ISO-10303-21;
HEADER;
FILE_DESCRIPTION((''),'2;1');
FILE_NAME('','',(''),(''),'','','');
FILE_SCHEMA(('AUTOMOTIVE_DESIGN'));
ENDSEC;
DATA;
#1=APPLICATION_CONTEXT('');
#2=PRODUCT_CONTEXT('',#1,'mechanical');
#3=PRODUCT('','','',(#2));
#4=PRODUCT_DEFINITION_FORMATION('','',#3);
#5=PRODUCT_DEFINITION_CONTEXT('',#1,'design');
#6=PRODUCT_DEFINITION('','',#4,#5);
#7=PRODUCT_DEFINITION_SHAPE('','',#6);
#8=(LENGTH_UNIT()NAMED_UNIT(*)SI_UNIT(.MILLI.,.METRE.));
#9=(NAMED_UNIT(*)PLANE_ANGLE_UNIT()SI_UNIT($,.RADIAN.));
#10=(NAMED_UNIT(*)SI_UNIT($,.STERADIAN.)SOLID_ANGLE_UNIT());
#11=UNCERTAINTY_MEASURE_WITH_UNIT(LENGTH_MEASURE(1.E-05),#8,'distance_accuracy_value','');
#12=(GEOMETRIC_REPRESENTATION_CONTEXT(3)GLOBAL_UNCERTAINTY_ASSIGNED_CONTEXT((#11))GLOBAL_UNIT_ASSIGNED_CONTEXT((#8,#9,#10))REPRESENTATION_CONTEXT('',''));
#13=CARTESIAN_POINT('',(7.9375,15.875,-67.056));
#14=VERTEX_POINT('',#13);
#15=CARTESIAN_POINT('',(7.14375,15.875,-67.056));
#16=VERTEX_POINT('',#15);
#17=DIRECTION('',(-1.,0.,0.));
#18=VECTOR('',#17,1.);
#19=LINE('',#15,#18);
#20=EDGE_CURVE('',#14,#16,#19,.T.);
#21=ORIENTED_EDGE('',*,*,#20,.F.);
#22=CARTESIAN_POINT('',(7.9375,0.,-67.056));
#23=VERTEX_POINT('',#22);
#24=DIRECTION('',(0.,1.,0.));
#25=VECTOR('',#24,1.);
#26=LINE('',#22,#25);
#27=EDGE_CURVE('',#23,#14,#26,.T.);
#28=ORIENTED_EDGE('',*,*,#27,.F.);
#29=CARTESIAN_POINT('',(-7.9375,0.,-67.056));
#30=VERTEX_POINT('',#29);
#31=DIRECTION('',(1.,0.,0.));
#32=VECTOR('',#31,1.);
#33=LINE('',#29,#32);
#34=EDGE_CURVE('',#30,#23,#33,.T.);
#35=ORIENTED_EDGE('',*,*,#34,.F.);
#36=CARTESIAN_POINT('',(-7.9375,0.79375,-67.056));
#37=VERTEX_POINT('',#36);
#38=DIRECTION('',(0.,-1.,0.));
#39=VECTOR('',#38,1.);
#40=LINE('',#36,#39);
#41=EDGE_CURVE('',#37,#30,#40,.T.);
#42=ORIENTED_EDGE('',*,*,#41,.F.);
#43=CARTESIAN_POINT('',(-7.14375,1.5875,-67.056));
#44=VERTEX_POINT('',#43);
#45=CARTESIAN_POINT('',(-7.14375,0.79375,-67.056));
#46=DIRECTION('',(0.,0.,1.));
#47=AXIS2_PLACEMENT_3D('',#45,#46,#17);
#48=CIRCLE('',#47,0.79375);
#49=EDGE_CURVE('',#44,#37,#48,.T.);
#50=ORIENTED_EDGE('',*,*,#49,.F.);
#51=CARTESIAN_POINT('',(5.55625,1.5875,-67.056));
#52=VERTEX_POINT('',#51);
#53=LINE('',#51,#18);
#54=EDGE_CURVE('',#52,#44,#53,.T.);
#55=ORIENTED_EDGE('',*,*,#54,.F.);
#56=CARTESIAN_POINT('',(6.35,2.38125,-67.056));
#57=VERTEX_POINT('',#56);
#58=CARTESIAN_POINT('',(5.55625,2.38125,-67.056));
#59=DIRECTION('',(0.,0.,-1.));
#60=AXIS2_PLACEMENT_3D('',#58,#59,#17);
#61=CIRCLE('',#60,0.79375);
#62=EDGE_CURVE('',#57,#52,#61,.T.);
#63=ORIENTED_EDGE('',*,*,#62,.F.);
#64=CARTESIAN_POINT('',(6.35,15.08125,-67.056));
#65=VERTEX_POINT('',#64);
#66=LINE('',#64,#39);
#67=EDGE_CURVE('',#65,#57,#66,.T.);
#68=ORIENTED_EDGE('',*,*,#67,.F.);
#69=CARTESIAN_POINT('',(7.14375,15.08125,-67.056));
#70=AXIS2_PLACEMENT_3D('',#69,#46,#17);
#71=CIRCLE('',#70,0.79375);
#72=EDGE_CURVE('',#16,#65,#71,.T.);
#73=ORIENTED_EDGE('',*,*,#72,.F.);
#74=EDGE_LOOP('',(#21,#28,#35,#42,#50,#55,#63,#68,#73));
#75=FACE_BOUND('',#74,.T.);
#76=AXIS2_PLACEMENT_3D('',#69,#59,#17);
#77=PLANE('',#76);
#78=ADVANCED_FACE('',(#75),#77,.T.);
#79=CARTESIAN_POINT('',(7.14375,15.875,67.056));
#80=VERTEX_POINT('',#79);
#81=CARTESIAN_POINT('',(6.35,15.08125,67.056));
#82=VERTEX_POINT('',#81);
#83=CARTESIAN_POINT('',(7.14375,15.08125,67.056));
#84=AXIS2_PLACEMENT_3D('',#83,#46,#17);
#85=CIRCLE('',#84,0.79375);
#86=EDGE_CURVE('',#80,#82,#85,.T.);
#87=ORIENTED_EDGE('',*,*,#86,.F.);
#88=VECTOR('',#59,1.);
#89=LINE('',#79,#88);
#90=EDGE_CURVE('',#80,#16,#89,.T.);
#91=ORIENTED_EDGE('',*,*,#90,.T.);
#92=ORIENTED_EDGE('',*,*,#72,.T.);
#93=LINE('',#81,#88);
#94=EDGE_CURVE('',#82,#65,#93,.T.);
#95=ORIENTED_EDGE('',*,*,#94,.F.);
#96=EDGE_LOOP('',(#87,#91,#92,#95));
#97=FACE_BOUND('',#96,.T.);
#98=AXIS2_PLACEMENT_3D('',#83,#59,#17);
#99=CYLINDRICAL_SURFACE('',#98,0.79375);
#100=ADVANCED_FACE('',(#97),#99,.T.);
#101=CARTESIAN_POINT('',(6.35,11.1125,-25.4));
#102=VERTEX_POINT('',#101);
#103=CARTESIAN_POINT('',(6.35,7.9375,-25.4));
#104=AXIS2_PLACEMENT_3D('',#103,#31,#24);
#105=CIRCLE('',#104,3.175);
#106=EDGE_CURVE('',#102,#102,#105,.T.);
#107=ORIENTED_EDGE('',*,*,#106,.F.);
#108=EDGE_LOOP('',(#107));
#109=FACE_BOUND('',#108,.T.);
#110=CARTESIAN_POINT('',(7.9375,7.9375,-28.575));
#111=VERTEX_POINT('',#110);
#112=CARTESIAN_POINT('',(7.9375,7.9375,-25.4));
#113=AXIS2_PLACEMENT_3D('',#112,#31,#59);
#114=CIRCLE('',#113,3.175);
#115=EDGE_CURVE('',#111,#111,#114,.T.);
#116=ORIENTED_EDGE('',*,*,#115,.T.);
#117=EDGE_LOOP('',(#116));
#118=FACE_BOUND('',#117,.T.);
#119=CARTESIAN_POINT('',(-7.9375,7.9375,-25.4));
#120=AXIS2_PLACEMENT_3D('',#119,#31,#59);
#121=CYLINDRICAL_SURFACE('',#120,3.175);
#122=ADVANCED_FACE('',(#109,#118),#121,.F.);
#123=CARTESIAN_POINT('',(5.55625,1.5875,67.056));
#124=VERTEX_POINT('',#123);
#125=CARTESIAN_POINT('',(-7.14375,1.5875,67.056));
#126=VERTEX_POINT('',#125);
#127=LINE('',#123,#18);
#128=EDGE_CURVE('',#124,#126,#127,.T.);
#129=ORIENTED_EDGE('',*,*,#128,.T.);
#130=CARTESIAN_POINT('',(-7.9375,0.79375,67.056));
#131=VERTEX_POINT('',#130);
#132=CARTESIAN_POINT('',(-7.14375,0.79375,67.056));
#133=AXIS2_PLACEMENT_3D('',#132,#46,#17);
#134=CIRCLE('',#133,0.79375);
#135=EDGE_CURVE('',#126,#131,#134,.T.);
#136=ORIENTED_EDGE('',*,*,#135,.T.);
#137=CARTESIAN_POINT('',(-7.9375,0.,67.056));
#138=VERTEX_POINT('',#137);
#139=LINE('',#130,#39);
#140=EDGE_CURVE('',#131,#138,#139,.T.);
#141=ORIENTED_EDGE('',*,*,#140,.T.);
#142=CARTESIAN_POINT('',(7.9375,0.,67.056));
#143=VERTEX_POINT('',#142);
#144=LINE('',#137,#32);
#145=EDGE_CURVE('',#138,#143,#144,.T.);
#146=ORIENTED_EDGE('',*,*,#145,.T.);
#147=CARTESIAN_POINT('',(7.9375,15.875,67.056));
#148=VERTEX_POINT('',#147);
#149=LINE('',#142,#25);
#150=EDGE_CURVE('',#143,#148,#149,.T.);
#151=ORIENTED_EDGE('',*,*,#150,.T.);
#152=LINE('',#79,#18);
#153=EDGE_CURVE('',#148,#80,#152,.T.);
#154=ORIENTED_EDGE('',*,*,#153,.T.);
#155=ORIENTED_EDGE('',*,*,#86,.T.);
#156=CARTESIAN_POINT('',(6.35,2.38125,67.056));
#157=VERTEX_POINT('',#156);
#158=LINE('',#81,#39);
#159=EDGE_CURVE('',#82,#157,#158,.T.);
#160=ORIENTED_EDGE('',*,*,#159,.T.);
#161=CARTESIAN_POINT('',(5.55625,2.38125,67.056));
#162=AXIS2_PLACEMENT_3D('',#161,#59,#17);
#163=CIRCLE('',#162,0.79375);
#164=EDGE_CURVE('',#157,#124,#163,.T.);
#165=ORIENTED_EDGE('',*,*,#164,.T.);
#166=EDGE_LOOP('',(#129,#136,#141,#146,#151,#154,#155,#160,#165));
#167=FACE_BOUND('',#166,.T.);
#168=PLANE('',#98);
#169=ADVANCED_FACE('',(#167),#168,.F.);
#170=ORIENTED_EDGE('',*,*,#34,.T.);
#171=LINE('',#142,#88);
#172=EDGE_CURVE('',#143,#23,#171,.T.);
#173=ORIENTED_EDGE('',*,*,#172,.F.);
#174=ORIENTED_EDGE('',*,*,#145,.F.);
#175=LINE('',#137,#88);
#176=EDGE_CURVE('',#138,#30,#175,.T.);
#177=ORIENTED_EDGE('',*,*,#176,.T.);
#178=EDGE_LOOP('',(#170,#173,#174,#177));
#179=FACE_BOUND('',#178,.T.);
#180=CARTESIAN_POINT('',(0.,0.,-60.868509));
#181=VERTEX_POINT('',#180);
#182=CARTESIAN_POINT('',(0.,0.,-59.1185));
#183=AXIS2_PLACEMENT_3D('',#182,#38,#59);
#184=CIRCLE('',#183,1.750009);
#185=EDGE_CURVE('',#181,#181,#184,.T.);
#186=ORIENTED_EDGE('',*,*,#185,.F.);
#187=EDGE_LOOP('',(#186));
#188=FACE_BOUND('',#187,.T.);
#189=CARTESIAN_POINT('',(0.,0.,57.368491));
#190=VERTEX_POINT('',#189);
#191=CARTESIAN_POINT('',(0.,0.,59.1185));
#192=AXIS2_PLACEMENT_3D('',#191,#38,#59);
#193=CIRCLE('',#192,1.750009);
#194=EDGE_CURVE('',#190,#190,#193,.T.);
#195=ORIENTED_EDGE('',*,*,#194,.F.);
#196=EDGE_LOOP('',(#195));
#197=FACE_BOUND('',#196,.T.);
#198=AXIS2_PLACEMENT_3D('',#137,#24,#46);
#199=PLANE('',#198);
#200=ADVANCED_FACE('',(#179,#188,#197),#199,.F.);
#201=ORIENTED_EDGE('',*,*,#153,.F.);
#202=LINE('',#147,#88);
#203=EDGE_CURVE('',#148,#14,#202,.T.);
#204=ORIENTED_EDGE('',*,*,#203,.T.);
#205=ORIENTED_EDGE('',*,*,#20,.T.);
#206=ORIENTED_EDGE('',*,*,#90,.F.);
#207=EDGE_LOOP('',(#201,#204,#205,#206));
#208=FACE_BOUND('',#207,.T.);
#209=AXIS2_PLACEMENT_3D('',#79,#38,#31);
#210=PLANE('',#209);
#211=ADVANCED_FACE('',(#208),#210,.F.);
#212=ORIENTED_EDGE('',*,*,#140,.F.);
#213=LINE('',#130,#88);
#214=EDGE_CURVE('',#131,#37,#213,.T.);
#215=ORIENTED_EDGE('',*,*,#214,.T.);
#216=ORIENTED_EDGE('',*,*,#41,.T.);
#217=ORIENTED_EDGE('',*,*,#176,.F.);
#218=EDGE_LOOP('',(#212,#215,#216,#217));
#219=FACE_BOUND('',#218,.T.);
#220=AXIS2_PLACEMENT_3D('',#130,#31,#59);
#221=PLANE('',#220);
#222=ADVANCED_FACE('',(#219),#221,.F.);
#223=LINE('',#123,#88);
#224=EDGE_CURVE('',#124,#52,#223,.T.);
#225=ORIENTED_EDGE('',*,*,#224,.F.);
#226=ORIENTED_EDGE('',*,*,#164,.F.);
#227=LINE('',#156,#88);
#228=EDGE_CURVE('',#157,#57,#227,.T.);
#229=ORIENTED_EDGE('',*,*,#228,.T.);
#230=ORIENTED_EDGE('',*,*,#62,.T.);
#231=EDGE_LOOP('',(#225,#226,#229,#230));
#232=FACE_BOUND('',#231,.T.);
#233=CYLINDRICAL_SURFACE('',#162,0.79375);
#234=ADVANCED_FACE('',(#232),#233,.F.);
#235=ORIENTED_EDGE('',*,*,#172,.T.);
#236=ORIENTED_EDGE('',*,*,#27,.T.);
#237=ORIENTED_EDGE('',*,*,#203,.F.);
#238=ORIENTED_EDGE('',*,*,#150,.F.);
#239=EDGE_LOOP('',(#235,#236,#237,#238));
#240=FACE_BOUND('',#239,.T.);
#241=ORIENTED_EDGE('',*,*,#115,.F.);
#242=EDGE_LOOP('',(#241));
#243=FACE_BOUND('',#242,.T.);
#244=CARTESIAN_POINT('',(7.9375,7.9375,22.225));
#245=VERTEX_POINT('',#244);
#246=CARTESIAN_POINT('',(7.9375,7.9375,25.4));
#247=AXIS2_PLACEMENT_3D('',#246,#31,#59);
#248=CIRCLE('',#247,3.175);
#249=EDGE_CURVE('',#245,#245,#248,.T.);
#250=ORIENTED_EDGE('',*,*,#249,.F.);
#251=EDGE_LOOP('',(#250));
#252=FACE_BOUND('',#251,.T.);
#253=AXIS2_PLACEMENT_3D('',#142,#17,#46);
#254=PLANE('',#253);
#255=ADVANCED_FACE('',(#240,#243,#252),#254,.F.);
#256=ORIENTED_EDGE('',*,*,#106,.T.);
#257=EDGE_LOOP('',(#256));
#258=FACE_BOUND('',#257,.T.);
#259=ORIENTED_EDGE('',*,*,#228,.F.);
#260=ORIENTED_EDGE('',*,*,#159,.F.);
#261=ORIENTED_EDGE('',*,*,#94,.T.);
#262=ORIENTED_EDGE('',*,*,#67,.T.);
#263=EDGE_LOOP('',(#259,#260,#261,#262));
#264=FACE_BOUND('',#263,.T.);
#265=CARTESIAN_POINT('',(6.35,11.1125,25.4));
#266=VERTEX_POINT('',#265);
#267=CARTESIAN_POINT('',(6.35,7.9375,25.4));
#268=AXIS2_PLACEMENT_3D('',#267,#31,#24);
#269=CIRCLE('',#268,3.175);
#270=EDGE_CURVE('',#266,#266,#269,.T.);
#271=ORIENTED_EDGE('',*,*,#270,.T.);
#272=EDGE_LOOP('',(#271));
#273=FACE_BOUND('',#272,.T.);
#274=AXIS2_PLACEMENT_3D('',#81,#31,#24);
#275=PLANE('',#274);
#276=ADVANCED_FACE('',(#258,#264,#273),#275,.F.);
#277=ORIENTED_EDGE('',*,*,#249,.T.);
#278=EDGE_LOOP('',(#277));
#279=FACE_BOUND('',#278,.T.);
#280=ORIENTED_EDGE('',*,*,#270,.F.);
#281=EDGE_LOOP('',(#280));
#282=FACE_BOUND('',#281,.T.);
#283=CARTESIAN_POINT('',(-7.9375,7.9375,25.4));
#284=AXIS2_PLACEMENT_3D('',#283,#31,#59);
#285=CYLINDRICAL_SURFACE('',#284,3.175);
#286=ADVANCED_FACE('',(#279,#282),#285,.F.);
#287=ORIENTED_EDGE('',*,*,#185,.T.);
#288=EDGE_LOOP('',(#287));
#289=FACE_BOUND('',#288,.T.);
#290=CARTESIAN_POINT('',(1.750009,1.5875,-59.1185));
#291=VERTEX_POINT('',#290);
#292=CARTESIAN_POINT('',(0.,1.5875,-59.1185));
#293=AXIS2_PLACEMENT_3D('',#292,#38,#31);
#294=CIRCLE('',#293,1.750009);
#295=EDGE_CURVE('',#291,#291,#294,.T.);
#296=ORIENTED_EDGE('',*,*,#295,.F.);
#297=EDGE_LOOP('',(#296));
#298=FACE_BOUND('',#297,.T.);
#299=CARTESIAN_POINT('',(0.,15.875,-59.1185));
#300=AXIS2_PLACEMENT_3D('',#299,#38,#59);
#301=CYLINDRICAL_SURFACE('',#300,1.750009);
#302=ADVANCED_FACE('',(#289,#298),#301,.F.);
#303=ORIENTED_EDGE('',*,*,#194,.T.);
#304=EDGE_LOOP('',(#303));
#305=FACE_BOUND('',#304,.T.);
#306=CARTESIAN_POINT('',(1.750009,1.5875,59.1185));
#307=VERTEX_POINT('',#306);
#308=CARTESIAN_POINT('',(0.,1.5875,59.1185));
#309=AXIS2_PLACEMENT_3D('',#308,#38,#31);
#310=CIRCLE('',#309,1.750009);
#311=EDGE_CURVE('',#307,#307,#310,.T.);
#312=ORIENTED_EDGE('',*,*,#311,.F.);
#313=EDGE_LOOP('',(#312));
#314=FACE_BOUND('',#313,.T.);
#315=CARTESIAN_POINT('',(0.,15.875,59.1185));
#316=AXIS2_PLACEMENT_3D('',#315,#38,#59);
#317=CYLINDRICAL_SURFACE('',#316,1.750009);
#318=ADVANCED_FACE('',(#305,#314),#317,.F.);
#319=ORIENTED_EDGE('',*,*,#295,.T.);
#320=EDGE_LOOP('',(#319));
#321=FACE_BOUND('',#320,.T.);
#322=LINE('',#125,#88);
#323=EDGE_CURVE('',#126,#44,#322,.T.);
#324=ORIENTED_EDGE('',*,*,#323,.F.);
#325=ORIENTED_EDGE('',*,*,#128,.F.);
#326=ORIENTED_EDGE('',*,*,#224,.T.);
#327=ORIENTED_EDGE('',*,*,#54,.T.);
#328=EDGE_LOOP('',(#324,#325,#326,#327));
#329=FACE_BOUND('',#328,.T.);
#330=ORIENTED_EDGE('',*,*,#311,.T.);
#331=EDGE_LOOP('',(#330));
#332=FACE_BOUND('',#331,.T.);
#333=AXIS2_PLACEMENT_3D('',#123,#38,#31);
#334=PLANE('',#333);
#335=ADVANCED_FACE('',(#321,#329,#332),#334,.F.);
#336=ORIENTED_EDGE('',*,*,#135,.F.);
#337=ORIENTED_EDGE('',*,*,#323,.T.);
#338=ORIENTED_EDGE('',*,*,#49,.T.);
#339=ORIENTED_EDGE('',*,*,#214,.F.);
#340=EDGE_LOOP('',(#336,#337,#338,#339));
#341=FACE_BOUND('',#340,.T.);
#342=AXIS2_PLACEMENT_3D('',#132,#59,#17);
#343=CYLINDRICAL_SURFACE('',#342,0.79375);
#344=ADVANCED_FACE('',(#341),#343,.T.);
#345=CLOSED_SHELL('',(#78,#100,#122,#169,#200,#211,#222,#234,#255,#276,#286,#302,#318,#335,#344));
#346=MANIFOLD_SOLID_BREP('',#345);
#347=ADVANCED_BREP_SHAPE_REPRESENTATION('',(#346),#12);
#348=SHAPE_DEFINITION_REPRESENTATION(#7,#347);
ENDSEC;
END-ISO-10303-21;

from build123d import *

# Parameters (mm, degrees)
BOSS_EXTRUDE1_DEPTH = 67.056
SKETCH3_R           = 3.175
CUT_EXTRUDE1_DEPTH  = 16.875
SKETCH4_R           = 1.7500092
CUT_EXTRUDE2_DEPTH  = 16.875


with BuildPart() as part:
    # Sketch2 → Boss-Extrude1 (new body, symmetric)
    with BuildSketch(Plane.XY):
        with BuildLine():
            Line((-7.9375, 0), (7.9375, 0))
            Line((7.9375, 0), (7.9375, 15.875))
            Line((7.9375, 15.875), (7.14375, 15.875))
            ThreePointArc((7.14375, 15.875), (6.582483992, 15.642516008), (6.35, 15.08125))
            Line((6.35, 15.08125), (6.35, 2.38125))
            ThreePointArc((6.35, 2.38125), (6.117516008, 1.819983992), (5.55625, 1.5875))
            Line((5.55625, 1.5875), (-7.14375, 1.5875))
            ThreePointArc((-7.14375, 1.5875), (-7.705016008, 1.355016008), (-7.9375, 0.79375))
            Line((-7.9375, 0.79375), (-7.9375, 0))
        make_face()
    extrude(amount=BOSS_EXTRUDE1_DEPTH, both=True)

    # Sketch3 → Cut-Extrude1 (cut, through all)
    with BuildSketch(Plane(origin=(7.9375, 0, 0), x_dir=(0, 0, -1), z_dir=(1, 0, 0))):
        with Locations((-25.4, 7.9375)):
            Circle(SKETCH3_R)
        with Locations((25.4, 7.9375)):
            Circle(SKETCH3_R)
    extrude(amount=-CUT_EXTRUDE1_DEPTH, mode=Mode.SUBTRACT)

    # Sketch4 → Cut-Extrude2 (cut, through all)
    with BuildSketch(Plane.XZ):
        with Locations((0, -59.1185)):
            Circle(SKETCH4_R)
        with Locations((0, 59.1185)):
            Circle(SKETCH4_R)
    extrude(amount=-CUT_EXTRUDE2_DEPTH, mode=Mode.SUBTRACT)


solid = part.part
